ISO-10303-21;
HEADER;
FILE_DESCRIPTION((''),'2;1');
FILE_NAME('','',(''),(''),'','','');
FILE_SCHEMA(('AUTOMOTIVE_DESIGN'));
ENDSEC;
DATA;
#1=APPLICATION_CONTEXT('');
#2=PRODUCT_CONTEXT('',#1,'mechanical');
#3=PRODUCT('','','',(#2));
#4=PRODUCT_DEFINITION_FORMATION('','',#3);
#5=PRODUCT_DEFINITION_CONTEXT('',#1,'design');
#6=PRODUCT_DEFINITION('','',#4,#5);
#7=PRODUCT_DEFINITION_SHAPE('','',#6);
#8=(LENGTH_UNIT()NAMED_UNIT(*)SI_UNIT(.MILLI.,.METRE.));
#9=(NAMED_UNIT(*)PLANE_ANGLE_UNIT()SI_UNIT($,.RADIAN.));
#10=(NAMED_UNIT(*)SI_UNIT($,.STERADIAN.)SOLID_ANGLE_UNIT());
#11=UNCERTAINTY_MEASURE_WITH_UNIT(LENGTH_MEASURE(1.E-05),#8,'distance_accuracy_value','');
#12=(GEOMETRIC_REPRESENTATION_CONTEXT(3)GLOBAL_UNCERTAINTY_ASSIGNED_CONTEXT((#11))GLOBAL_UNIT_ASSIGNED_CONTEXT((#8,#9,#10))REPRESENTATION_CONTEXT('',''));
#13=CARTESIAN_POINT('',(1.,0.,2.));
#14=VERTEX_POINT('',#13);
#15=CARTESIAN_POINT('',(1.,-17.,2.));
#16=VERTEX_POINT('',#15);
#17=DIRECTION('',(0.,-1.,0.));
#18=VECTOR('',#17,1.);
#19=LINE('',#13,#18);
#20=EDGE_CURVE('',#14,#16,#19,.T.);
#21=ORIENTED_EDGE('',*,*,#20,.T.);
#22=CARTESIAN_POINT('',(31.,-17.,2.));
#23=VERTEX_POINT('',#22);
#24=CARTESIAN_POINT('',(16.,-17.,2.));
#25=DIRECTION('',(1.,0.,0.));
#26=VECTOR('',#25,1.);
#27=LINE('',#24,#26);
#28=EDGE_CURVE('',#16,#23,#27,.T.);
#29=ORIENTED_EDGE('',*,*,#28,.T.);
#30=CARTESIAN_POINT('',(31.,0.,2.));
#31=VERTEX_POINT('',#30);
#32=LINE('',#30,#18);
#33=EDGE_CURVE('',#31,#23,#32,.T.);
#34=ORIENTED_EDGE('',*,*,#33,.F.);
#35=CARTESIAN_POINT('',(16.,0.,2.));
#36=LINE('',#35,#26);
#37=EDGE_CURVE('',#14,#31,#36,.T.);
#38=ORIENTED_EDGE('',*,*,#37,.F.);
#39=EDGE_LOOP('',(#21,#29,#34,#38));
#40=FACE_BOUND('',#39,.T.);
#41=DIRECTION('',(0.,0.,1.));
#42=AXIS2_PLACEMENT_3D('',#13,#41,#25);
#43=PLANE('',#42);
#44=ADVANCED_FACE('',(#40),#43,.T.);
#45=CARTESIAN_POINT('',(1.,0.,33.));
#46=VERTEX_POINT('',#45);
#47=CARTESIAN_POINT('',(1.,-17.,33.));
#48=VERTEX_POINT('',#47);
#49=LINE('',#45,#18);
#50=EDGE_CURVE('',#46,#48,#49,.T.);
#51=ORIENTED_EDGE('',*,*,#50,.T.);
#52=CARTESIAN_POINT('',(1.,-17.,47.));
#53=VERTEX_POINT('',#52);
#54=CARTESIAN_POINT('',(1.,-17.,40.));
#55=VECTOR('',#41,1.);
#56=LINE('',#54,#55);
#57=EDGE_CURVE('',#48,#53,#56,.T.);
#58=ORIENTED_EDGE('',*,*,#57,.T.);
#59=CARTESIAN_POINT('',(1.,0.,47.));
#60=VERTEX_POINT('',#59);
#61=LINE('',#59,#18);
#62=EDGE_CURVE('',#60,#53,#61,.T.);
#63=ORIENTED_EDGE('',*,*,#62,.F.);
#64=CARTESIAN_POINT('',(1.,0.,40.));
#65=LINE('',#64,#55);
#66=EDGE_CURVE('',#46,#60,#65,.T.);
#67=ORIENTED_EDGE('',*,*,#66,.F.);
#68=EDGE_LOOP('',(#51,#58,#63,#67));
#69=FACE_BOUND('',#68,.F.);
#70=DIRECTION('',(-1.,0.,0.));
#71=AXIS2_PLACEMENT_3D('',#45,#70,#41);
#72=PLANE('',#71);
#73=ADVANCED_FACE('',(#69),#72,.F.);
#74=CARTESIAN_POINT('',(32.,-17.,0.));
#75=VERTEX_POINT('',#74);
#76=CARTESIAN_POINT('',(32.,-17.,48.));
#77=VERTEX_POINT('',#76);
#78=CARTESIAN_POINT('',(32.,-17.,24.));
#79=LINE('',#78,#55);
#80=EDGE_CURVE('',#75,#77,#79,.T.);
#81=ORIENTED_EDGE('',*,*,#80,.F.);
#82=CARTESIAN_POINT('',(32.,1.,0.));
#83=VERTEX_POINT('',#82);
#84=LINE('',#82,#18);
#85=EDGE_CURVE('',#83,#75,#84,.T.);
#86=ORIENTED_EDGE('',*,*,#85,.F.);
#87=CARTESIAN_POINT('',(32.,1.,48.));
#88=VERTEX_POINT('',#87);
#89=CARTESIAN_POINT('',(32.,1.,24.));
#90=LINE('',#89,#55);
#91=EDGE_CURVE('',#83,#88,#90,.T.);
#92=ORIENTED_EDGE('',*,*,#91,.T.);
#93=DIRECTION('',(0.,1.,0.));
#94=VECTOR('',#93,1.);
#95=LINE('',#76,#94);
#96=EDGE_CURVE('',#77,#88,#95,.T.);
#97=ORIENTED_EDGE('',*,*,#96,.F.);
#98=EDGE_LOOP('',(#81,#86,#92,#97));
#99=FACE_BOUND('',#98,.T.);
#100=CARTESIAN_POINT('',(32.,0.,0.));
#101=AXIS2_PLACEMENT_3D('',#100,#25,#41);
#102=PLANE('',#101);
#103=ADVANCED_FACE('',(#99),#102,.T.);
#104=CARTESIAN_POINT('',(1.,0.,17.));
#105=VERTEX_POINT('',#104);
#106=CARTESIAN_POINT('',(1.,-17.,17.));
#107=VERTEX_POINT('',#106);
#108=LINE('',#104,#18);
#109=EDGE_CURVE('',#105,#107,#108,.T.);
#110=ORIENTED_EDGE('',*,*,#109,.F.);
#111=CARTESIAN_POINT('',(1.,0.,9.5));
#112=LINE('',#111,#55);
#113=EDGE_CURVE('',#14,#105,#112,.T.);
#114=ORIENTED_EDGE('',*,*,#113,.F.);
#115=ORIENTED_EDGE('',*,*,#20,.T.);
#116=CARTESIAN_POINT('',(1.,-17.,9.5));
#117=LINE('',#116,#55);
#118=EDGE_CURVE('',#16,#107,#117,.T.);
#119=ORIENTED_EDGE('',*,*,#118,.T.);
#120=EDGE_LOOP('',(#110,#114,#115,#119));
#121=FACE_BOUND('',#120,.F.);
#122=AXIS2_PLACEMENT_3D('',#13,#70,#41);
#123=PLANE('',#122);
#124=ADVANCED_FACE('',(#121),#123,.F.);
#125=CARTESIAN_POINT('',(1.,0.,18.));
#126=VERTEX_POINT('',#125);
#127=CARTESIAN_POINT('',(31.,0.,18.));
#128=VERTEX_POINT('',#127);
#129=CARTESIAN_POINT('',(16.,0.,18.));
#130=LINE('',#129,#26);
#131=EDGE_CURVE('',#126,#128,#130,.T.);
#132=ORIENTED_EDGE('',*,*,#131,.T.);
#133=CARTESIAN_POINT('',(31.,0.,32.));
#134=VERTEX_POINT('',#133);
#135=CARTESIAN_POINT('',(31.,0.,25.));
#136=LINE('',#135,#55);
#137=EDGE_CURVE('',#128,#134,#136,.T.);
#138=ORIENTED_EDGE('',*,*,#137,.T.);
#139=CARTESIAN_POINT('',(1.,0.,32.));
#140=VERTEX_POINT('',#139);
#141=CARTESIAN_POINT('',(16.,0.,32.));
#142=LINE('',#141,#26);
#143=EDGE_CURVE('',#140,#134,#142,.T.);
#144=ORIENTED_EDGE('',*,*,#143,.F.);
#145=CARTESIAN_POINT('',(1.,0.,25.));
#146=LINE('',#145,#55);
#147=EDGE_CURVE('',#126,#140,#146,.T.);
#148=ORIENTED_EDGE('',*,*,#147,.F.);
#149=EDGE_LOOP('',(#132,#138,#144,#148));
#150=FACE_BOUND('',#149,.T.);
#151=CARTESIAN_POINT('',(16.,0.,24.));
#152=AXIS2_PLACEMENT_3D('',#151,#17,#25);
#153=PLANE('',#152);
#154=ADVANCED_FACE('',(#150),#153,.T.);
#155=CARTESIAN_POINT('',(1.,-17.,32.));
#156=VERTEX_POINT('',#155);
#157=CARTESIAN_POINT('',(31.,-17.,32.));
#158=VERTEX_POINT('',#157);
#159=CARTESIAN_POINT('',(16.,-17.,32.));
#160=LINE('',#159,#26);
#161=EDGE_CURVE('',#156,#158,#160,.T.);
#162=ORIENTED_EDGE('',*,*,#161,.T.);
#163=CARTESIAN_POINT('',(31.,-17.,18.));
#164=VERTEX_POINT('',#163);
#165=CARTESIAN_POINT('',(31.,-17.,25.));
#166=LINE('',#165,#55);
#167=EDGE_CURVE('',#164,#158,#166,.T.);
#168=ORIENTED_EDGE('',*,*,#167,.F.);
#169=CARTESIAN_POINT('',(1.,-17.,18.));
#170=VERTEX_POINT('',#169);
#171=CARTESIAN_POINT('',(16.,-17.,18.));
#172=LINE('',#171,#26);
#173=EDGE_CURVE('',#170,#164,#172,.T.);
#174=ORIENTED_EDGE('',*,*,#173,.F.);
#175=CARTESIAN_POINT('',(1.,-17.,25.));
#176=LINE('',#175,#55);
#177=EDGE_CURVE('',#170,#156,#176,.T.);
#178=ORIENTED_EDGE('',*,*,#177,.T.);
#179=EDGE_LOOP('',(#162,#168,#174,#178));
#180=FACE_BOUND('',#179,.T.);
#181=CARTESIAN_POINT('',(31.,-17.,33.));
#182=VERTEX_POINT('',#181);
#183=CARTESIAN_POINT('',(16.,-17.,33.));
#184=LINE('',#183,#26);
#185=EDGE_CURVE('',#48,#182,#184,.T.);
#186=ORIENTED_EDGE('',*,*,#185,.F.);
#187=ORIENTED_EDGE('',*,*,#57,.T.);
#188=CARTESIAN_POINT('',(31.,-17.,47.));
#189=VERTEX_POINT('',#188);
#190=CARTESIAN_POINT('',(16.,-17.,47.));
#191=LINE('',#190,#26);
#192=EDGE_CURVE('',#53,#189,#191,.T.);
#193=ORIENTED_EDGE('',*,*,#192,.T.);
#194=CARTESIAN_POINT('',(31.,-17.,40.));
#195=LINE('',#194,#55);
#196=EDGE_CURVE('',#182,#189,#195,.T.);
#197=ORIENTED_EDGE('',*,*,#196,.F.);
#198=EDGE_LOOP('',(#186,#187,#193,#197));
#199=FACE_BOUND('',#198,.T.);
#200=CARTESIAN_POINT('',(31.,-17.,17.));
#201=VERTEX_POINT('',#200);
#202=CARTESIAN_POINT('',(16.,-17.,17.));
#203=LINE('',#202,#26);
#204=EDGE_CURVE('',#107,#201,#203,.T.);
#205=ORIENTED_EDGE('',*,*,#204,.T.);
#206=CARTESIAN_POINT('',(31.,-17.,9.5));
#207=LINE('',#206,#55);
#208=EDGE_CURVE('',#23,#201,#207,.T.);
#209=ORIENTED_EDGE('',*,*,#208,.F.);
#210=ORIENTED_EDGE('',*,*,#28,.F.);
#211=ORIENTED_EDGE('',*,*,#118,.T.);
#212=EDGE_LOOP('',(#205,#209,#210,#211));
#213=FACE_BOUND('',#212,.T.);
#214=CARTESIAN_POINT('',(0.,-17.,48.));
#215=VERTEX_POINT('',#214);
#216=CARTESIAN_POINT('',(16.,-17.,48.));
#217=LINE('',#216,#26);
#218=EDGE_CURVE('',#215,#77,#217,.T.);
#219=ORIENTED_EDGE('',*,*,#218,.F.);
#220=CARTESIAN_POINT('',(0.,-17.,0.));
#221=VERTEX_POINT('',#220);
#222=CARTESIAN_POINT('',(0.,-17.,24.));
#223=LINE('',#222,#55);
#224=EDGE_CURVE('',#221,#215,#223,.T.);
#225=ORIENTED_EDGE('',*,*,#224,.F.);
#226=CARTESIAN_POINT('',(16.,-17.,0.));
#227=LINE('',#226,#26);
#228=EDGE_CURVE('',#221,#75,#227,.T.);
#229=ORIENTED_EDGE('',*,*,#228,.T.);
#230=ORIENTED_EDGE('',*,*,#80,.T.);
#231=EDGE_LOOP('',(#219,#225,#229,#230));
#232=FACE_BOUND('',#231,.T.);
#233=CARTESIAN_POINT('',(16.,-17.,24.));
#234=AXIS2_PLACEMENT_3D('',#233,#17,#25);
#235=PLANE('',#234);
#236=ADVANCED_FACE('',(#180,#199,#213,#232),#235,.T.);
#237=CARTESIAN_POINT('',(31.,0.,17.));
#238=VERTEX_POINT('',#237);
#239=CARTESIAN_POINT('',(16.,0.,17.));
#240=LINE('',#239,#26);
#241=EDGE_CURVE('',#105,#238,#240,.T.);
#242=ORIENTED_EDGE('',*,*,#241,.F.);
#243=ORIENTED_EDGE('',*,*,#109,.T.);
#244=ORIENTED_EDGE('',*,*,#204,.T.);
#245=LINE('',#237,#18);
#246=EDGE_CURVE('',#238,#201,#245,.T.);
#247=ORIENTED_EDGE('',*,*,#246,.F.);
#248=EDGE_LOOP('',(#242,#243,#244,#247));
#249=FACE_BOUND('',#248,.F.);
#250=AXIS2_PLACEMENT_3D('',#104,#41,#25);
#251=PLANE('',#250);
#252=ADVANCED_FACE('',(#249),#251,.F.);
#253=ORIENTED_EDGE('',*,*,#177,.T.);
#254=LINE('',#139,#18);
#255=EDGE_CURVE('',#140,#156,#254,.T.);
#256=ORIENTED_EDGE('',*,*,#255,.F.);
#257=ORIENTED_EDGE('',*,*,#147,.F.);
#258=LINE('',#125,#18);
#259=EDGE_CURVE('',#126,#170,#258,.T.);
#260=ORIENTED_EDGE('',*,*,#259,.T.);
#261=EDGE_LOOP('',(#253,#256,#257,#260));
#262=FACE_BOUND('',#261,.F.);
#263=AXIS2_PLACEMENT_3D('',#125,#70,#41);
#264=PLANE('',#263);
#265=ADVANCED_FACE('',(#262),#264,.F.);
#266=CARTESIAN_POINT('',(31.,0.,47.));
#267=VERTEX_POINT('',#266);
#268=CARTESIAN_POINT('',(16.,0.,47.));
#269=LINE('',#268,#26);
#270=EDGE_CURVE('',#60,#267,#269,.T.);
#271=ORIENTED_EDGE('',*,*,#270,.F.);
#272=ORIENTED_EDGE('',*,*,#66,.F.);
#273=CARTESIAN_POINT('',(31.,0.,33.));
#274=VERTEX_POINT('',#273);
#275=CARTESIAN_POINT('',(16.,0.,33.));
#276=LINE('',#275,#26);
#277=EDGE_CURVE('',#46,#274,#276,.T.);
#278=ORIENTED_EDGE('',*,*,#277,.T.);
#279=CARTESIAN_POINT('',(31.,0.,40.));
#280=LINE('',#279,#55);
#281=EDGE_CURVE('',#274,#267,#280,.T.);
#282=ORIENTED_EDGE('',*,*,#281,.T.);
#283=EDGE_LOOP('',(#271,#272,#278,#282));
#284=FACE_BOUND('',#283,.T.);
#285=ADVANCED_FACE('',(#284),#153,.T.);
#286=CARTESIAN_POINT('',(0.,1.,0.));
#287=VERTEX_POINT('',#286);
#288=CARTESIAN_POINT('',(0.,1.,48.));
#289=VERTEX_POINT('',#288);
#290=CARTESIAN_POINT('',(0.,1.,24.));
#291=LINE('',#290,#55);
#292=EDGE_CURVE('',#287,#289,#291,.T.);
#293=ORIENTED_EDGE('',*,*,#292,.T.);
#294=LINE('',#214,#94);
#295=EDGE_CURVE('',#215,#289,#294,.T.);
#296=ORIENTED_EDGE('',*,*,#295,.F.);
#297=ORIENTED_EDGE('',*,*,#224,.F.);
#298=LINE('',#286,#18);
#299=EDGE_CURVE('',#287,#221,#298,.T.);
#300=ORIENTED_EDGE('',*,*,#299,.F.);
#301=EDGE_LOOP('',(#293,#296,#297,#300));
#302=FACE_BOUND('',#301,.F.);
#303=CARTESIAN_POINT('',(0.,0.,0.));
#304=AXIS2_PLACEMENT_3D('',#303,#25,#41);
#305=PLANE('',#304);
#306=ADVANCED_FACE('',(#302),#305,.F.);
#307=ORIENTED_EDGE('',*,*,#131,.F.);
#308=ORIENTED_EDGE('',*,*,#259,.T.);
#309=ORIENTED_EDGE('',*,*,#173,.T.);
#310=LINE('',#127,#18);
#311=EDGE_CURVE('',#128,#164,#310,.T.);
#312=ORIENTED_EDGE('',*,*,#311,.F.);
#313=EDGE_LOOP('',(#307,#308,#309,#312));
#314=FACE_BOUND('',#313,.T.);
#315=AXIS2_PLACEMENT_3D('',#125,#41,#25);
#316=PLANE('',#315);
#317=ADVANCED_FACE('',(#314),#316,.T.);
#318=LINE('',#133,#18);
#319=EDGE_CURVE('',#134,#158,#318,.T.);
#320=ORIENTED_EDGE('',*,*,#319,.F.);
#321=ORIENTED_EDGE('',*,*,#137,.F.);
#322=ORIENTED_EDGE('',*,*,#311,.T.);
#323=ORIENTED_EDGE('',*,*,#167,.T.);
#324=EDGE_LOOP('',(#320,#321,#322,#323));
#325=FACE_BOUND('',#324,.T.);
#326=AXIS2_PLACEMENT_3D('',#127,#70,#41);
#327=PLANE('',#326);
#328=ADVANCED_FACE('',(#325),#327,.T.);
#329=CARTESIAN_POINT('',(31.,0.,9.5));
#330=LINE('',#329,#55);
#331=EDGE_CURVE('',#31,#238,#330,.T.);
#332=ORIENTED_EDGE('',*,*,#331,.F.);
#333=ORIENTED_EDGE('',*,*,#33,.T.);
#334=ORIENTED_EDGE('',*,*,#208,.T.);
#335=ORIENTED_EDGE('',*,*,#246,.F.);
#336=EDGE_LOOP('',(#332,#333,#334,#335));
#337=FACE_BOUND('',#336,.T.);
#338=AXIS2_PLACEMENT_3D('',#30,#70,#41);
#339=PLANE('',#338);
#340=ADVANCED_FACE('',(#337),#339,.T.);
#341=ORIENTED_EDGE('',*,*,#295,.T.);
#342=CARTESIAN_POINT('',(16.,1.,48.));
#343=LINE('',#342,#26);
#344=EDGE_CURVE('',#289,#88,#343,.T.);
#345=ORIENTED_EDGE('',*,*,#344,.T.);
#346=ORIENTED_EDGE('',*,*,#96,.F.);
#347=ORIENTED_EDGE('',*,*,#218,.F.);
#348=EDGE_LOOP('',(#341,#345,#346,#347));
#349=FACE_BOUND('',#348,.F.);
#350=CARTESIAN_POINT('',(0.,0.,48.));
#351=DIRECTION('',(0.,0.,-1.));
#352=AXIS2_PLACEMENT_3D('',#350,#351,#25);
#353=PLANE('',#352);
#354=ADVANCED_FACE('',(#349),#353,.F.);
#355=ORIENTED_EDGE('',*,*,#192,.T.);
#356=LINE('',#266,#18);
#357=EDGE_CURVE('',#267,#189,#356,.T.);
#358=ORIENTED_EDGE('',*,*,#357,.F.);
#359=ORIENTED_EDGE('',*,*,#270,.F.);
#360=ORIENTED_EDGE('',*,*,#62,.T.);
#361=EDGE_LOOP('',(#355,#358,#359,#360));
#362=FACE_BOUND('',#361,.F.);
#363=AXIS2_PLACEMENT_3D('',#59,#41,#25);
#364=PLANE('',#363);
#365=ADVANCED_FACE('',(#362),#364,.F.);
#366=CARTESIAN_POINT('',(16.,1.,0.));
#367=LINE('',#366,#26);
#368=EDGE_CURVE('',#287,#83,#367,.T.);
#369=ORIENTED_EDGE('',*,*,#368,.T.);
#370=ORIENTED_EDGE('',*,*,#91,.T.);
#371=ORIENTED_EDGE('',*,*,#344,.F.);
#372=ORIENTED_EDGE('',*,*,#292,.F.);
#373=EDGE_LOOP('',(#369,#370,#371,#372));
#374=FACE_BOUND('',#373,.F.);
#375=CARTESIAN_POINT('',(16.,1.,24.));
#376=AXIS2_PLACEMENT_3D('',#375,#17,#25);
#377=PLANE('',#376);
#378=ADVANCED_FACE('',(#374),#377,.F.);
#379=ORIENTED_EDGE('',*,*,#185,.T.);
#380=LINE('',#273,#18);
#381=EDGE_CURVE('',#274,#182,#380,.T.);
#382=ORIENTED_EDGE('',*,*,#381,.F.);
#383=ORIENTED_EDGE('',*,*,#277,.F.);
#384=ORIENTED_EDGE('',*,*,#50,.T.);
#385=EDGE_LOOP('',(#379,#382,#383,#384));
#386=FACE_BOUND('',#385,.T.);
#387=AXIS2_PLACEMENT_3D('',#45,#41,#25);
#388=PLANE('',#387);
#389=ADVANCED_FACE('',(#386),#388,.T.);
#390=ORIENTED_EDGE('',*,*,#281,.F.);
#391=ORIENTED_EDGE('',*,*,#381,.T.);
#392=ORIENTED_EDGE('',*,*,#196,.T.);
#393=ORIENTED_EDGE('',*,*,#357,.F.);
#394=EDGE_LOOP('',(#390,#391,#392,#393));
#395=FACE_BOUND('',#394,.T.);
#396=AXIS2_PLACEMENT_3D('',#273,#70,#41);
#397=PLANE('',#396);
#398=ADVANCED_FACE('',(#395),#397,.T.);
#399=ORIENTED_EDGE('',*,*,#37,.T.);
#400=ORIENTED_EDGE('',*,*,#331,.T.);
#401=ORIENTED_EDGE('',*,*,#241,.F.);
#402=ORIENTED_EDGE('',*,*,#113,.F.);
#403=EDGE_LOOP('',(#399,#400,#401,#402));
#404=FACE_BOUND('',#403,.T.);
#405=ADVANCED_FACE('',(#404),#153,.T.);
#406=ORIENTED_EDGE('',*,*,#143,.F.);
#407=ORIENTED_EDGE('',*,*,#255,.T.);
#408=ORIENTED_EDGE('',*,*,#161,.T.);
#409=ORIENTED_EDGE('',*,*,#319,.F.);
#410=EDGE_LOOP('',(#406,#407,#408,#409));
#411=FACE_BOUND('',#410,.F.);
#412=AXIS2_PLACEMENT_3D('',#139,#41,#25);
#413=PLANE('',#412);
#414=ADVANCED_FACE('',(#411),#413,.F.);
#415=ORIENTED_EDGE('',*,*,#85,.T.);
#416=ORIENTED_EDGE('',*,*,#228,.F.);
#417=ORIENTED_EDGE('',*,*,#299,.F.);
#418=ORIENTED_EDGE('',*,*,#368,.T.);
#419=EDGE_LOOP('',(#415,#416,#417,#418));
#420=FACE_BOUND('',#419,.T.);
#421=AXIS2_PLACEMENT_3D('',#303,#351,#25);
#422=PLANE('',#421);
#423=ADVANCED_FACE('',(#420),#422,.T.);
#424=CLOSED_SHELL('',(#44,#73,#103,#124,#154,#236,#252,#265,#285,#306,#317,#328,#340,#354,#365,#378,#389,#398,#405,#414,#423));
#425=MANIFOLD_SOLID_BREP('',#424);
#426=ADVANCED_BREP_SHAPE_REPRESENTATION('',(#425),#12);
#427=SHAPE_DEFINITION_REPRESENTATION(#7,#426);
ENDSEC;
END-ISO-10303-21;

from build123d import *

# Parameters (mm, degrees)
F0_W     = 32
F0_H     = 48
F0_W_2   = 30
F0_H_2   = 15
F0_H_3   = 14
F1_DEPTH = 17
F2_W     = 32
F2_H     = 48
F3_DEPTH = 1


with BuildPart() as f1:
    # F0 (on Front) → F1 (new body)
    with BuildSketch(Plane.XZ):
        with Locations((16, 24)):
            Rectangle(F0_W, F0_H)
        with Locations((16, 9.5)):
            Rectangle(F0_W_2, F0_H_2, mode=Mode.SUBTRACT)
        with Locations((16, 25)):
            Rectangle(F0_W_2, F0_H_3, mode=Mode.SUBTRACT)
        with Locations((16, 40)):
            Rectangle(F0_W_2, F0_H_3, mode=Mode.SUBTRACT)
    extrude(amount=F1_DEPTH)

    # F2 (on Front) → F3 (join)
    with BuildSketch(Plane.XZ):
        with Locations((16, 24)):
            Rectangle(F2_W, F2_H)
    extrude(amount=-F3_DEPTH)


solid = f1.part
